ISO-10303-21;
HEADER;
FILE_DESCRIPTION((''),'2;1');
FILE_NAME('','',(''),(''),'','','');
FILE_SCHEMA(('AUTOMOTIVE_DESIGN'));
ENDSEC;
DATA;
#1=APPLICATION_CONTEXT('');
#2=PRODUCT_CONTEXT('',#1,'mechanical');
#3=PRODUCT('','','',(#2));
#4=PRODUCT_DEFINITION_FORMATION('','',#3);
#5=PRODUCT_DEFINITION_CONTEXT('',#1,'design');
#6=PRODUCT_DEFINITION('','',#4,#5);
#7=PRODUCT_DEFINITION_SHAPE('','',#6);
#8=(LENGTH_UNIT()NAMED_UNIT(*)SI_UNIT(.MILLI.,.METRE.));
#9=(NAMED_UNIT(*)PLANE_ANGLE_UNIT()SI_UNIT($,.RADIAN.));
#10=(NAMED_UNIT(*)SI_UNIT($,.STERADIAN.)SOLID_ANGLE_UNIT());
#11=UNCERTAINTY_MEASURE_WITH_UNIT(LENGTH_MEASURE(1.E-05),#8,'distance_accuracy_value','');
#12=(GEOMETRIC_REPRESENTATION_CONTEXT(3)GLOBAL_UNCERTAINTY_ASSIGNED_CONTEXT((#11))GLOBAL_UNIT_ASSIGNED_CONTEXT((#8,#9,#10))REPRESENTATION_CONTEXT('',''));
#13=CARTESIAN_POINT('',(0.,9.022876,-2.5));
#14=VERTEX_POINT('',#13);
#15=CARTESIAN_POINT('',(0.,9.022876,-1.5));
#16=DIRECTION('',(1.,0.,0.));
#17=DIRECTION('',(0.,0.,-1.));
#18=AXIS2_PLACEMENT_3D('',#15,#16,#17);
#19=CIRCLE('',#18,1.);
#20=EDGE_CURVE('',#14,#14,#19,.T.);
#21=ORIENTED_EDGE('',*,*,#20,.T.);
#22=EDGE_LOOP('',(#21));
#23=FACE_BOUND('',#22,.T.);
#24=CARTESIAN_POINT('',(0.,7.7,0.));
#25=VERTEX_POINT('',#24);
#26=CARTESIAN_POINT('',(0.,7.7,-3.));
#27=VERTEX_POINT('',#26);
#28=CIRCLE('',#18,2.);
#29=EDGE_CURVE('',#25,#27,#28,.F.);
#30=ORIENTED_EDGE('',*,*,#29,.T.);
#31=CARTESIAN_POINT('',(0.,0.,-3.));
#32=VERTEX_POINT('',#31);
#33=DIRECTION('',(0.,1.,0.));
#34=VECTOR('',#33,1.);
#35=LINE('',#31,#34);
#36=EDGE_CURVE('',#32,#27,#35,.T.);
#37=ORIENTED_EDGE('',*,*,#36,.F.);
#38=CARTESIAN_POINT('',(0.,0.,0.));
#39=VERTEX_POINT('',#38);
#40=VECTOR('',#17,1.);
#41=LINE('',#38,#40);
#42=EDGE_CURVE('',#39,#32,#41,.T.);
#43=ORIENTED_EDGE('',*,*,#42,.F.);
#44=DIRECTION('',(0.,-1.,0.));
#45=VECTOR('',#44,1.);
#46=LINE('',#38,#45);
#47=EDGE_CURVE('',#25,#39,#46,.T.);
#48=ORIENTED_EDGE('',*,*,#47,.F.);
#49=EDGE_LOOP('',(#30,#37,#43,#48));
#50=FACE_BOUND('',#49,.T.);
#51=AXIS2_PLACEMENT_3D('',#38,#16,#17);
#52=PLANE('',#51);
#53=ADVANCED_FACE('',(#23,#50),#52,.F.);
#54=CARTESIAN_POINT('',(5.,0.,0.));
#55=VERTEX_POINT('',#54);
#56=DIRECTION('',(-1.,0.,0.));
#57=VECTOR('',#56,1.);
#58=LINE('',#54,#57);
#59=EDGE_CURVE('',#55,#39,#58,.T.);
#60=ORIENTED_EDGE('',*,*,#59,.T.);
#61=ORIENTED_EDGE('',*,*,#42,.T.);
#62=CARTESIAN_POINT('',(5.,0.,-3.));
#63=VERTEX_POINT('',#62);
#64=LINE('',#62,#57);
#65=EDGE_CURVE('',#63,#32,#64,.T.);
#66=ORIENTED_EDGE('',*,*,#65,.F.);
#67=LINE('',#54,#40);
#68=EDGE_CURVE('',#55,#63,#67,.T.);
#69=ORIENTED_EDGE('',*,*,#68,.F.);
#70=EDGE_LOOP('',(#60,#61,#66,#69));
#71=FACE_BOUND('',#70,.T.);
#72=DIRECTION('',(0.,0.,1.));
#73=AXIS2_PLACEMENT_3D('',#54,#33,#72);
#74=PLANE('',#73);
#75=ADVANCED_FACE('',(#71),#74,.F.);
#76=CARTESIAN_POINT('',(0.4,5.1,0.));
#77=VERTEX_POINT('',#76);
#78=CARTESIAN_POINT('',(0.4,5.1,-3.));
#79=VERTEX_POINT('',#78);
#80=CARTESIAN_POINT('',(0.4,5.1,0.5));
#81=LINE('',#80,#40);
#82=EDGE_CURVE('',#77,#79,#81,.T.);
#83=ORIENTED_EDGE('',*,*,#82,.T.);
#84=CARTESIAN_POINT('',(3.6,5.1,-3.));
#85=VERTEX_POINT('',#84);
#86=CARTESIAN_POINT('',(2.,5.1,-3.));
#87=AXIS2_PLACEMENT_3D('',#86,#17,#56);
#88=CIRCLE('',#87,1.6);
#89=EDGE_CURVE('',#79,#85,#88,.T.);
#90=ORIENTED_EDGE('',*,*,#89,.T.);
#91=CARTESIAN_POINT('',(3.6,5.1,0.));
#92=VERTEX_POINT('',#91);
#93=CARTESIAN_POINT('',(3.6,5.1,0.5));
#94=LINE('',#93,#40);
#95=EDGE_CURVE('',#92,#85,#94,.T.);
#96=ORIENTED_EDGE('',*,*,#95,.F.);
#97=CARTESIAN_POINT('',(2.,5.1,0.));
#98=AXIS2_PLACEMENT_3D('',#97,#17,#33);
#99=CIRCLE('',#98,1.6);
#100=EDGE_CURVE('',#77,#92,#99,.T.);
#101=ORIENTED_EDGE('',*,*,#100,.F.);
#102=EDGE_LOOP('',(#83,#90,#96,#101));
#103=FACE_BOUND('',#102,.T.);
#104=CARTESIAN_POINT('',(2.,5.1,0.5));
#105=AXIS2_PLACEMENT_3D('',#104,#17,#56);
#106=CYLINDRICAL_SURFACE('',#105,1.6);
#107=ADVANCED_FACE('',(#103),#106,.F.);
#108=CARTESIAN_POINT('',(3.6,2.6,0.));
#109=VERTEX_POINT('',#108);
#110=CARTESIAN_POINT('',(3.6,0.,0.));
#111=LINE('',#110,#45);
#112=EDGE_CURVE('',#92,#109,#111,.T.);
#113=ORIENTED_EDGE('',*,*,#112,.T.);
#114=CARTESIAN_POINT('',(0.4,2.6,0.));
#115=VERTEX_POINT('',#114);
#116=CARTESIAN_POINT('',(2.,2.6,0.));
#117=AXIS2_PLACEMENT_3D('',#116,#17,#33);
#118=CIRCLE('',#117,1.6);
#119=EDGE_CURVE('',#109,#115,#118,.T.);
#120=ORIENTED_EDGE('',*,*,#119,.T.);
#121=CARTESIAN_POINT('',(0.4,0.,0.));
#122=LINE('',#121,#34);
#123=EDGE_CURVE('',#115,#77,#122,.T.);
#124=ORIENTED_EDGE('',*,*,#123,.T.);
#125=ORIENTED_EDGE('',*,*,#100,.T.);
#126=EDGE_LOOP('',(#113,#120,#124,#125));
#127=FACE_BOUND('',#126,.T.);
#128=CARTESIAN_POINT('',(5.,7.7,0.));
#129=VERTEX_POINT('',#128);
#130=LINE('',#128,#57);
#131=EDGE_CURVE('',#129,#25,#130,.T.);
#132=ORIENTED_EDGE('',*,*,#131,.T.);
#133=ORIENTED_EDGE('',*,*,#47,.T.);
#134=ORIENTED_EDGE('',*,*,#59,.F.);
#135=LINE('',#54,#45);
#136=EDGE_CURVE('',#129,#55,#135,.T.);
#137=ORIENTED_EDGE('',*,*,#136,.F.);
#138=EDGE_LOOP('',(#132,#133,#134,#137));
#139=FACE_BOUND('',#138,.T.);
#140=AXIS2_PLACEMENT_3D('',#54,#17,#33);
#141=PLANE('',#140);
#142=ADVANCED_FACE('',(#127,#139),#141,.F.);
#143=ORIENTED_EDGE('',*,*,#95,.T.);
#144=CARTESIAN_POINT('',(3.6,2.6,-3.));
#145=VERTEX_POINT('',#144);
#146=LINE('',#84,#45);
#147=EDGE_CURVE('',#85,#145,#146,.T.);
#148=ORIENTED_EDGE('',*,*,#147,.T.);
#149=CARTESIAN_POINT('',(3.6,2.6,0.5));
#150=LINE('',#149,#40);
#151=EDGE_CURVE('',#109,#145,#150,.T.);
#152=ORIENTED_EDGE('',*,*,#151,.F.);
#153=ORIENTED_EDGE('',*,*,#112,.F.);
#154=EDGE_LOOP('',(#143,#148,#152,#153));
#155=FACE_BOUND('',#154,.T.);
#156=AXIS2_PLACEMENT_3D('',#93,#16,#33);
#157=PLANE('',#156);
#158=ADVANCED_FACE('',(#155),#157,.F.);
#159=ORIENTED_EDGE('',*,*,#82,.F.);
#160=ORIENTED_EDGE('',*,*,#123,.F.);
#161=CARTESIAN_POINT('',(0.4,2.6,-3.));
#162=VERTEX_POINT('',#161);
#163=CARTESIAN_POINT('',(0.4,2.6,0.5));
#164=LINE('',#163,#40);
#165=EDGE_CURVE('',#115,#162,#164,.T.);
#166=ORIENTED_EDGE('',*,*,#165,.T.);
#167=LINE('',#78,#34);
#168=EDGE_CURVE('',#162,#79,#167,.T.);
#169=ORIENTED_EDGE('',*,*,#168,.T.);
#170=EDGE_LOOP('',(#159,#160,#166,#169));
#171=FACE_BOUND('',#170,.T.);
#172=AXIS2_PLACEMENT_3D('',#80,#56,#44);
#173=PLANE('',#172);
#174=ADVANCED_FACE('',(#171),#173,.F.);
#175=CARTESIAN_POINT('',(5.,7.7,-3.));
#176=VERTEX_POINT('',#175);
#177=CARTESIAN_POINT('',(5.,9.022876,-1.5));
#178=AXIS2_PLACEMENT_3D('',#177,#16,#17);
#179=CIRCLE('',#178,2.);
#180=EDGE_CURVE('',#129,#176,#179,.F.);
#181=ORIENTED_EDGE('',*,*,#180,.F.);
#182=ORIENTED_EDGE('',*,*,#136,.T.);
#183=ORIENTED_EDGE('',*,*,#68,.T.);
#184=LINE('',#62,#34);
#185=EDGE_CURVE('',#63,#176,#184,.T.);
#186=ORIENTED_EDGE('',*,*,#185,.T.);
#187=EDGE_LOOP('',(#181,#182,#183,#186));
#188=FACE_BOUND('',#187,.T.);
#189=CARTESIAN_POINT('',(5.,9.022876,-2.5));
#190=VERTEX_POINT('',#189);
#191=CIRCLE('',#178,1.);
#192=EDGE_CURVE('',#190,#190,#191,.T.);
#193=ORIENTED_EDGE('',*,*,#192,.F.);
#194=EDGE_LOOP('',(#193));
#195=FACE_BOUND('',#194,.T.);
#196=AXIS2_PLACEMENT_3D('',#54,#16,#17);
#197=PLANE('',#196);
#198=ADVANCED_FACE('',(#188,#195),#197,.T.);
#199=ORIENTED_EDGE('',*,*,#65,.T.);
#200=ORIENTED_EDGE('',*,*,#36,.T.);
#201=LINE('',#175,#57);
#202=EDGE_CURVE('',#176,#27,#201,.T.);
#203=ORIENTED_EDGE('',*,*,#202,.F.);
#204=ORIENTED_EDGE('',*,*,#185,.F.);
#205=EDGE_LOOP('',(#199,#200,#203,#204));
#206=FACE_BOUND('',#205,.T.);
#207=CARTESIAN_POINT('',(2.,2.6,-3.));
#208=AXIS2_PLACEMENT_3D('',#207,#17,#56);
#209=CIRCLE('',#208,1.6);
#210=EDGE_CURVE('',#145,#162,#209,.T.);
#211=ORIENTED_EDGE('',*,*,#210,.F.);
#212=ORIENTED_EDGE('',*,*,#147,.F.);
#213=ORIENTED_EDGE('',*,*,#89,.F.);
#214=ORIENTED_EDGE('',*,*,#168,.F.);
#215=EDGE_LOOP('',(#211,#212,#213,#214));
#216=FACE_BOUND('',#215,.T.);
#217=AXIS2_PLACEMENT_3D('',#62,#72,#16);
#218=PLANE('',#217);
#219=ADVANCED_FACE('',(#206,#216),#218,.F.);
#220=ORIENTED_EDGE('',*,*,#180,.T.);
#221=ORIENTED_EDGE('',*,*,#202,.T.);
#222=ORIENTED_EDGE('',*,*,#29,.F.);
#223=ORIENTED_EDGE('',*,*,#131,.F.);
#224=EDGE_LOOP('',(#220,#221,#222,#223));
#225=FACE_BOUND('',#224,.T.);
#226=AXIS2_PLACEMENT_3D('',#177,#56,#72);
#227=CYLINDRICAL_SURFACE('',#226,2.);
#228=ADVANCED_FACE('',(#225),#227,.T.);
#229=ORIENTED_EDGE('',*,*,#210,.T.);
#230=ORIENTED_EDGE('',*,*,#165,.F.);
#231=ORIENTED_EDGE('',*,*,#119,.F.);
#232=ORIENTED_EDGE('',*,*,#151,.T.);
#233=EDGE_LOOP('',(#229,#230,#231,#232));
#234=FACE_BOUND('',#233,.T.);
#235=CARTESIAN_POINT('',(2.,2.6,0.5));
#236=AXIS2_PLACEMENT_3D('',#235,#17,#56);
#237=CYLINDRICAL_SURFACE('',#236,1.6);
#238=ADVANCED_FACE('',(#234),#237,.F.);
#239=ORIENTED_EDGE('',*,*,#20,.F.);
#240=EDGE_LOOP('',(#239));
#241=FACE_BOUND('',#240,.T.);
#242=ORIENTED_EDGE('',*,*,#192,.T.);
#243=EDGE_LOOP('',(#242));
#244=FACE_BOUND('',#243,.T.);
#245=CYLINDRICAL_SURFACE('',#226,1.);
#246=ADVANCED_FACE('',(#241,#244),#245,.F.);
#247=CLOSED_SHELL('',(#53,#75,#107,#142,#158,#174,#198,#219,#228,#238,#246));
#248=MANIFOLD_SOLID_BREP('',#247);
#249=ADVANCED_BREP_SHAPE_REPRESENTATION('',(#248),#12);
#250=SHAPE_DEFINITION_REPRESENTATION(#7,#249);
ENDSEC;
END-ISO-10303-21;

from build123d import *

# Parameters (mm, degrees)
SKETCH1_R           = 1
BOSS_EXTRUDE1_DEPTH = 5
CUT_EXTRUDE1_DEPTH  = 13.599753478


with BuildPart() as part:
    # Sketch1 → Boss-Extrude1 (new body)
    with BuildSketch(Plane(origin=(0, 0, 0), x_dir=(0, 0, -1), z_dir=(1, 0, 0))):
        with BuildLine():
            ThreePointArc((0, 7.7), (1.5, 11.022875656), (3, 7.7))
            Line((3, 7.7), (3, 0))
            Line((3, 0), (0, 0))
            Line((0, 0), (0, 7.7))
        make_face()
        with Locations((1.5, 9.022875656)):
            Circle(SKETCH1_R, mode=Mode.SUBTRACT)
    extrude(amount=BOSS_EXTRUDE1_DEPTH)

    # Sketch2 → Cut-Extrude1 (cut, through all)
    with BuildSketch(Plane(origin=(0, 0, -3), x_dir=(-1, 0, 0), z_dir=(0, 0, -1))):
        with BuildLine():
            Line((-0.4, 5.1), (-0.4, 2.6))
            ThreePointArc((-0.4, 2.6), (-2, 1), (-3.6, 2.6))
            Line((-3.6, 2.6), (-3.6, 5.1))
            ThreePointArc((-3.6, 5.1), (-2, 6.7), (-0.4, 5.1))
        make_face()
    extrude(amount=-CUT_EXTRUDE1_DEPTH, mode=Mode.SUBTRACT)


solid = part.part
